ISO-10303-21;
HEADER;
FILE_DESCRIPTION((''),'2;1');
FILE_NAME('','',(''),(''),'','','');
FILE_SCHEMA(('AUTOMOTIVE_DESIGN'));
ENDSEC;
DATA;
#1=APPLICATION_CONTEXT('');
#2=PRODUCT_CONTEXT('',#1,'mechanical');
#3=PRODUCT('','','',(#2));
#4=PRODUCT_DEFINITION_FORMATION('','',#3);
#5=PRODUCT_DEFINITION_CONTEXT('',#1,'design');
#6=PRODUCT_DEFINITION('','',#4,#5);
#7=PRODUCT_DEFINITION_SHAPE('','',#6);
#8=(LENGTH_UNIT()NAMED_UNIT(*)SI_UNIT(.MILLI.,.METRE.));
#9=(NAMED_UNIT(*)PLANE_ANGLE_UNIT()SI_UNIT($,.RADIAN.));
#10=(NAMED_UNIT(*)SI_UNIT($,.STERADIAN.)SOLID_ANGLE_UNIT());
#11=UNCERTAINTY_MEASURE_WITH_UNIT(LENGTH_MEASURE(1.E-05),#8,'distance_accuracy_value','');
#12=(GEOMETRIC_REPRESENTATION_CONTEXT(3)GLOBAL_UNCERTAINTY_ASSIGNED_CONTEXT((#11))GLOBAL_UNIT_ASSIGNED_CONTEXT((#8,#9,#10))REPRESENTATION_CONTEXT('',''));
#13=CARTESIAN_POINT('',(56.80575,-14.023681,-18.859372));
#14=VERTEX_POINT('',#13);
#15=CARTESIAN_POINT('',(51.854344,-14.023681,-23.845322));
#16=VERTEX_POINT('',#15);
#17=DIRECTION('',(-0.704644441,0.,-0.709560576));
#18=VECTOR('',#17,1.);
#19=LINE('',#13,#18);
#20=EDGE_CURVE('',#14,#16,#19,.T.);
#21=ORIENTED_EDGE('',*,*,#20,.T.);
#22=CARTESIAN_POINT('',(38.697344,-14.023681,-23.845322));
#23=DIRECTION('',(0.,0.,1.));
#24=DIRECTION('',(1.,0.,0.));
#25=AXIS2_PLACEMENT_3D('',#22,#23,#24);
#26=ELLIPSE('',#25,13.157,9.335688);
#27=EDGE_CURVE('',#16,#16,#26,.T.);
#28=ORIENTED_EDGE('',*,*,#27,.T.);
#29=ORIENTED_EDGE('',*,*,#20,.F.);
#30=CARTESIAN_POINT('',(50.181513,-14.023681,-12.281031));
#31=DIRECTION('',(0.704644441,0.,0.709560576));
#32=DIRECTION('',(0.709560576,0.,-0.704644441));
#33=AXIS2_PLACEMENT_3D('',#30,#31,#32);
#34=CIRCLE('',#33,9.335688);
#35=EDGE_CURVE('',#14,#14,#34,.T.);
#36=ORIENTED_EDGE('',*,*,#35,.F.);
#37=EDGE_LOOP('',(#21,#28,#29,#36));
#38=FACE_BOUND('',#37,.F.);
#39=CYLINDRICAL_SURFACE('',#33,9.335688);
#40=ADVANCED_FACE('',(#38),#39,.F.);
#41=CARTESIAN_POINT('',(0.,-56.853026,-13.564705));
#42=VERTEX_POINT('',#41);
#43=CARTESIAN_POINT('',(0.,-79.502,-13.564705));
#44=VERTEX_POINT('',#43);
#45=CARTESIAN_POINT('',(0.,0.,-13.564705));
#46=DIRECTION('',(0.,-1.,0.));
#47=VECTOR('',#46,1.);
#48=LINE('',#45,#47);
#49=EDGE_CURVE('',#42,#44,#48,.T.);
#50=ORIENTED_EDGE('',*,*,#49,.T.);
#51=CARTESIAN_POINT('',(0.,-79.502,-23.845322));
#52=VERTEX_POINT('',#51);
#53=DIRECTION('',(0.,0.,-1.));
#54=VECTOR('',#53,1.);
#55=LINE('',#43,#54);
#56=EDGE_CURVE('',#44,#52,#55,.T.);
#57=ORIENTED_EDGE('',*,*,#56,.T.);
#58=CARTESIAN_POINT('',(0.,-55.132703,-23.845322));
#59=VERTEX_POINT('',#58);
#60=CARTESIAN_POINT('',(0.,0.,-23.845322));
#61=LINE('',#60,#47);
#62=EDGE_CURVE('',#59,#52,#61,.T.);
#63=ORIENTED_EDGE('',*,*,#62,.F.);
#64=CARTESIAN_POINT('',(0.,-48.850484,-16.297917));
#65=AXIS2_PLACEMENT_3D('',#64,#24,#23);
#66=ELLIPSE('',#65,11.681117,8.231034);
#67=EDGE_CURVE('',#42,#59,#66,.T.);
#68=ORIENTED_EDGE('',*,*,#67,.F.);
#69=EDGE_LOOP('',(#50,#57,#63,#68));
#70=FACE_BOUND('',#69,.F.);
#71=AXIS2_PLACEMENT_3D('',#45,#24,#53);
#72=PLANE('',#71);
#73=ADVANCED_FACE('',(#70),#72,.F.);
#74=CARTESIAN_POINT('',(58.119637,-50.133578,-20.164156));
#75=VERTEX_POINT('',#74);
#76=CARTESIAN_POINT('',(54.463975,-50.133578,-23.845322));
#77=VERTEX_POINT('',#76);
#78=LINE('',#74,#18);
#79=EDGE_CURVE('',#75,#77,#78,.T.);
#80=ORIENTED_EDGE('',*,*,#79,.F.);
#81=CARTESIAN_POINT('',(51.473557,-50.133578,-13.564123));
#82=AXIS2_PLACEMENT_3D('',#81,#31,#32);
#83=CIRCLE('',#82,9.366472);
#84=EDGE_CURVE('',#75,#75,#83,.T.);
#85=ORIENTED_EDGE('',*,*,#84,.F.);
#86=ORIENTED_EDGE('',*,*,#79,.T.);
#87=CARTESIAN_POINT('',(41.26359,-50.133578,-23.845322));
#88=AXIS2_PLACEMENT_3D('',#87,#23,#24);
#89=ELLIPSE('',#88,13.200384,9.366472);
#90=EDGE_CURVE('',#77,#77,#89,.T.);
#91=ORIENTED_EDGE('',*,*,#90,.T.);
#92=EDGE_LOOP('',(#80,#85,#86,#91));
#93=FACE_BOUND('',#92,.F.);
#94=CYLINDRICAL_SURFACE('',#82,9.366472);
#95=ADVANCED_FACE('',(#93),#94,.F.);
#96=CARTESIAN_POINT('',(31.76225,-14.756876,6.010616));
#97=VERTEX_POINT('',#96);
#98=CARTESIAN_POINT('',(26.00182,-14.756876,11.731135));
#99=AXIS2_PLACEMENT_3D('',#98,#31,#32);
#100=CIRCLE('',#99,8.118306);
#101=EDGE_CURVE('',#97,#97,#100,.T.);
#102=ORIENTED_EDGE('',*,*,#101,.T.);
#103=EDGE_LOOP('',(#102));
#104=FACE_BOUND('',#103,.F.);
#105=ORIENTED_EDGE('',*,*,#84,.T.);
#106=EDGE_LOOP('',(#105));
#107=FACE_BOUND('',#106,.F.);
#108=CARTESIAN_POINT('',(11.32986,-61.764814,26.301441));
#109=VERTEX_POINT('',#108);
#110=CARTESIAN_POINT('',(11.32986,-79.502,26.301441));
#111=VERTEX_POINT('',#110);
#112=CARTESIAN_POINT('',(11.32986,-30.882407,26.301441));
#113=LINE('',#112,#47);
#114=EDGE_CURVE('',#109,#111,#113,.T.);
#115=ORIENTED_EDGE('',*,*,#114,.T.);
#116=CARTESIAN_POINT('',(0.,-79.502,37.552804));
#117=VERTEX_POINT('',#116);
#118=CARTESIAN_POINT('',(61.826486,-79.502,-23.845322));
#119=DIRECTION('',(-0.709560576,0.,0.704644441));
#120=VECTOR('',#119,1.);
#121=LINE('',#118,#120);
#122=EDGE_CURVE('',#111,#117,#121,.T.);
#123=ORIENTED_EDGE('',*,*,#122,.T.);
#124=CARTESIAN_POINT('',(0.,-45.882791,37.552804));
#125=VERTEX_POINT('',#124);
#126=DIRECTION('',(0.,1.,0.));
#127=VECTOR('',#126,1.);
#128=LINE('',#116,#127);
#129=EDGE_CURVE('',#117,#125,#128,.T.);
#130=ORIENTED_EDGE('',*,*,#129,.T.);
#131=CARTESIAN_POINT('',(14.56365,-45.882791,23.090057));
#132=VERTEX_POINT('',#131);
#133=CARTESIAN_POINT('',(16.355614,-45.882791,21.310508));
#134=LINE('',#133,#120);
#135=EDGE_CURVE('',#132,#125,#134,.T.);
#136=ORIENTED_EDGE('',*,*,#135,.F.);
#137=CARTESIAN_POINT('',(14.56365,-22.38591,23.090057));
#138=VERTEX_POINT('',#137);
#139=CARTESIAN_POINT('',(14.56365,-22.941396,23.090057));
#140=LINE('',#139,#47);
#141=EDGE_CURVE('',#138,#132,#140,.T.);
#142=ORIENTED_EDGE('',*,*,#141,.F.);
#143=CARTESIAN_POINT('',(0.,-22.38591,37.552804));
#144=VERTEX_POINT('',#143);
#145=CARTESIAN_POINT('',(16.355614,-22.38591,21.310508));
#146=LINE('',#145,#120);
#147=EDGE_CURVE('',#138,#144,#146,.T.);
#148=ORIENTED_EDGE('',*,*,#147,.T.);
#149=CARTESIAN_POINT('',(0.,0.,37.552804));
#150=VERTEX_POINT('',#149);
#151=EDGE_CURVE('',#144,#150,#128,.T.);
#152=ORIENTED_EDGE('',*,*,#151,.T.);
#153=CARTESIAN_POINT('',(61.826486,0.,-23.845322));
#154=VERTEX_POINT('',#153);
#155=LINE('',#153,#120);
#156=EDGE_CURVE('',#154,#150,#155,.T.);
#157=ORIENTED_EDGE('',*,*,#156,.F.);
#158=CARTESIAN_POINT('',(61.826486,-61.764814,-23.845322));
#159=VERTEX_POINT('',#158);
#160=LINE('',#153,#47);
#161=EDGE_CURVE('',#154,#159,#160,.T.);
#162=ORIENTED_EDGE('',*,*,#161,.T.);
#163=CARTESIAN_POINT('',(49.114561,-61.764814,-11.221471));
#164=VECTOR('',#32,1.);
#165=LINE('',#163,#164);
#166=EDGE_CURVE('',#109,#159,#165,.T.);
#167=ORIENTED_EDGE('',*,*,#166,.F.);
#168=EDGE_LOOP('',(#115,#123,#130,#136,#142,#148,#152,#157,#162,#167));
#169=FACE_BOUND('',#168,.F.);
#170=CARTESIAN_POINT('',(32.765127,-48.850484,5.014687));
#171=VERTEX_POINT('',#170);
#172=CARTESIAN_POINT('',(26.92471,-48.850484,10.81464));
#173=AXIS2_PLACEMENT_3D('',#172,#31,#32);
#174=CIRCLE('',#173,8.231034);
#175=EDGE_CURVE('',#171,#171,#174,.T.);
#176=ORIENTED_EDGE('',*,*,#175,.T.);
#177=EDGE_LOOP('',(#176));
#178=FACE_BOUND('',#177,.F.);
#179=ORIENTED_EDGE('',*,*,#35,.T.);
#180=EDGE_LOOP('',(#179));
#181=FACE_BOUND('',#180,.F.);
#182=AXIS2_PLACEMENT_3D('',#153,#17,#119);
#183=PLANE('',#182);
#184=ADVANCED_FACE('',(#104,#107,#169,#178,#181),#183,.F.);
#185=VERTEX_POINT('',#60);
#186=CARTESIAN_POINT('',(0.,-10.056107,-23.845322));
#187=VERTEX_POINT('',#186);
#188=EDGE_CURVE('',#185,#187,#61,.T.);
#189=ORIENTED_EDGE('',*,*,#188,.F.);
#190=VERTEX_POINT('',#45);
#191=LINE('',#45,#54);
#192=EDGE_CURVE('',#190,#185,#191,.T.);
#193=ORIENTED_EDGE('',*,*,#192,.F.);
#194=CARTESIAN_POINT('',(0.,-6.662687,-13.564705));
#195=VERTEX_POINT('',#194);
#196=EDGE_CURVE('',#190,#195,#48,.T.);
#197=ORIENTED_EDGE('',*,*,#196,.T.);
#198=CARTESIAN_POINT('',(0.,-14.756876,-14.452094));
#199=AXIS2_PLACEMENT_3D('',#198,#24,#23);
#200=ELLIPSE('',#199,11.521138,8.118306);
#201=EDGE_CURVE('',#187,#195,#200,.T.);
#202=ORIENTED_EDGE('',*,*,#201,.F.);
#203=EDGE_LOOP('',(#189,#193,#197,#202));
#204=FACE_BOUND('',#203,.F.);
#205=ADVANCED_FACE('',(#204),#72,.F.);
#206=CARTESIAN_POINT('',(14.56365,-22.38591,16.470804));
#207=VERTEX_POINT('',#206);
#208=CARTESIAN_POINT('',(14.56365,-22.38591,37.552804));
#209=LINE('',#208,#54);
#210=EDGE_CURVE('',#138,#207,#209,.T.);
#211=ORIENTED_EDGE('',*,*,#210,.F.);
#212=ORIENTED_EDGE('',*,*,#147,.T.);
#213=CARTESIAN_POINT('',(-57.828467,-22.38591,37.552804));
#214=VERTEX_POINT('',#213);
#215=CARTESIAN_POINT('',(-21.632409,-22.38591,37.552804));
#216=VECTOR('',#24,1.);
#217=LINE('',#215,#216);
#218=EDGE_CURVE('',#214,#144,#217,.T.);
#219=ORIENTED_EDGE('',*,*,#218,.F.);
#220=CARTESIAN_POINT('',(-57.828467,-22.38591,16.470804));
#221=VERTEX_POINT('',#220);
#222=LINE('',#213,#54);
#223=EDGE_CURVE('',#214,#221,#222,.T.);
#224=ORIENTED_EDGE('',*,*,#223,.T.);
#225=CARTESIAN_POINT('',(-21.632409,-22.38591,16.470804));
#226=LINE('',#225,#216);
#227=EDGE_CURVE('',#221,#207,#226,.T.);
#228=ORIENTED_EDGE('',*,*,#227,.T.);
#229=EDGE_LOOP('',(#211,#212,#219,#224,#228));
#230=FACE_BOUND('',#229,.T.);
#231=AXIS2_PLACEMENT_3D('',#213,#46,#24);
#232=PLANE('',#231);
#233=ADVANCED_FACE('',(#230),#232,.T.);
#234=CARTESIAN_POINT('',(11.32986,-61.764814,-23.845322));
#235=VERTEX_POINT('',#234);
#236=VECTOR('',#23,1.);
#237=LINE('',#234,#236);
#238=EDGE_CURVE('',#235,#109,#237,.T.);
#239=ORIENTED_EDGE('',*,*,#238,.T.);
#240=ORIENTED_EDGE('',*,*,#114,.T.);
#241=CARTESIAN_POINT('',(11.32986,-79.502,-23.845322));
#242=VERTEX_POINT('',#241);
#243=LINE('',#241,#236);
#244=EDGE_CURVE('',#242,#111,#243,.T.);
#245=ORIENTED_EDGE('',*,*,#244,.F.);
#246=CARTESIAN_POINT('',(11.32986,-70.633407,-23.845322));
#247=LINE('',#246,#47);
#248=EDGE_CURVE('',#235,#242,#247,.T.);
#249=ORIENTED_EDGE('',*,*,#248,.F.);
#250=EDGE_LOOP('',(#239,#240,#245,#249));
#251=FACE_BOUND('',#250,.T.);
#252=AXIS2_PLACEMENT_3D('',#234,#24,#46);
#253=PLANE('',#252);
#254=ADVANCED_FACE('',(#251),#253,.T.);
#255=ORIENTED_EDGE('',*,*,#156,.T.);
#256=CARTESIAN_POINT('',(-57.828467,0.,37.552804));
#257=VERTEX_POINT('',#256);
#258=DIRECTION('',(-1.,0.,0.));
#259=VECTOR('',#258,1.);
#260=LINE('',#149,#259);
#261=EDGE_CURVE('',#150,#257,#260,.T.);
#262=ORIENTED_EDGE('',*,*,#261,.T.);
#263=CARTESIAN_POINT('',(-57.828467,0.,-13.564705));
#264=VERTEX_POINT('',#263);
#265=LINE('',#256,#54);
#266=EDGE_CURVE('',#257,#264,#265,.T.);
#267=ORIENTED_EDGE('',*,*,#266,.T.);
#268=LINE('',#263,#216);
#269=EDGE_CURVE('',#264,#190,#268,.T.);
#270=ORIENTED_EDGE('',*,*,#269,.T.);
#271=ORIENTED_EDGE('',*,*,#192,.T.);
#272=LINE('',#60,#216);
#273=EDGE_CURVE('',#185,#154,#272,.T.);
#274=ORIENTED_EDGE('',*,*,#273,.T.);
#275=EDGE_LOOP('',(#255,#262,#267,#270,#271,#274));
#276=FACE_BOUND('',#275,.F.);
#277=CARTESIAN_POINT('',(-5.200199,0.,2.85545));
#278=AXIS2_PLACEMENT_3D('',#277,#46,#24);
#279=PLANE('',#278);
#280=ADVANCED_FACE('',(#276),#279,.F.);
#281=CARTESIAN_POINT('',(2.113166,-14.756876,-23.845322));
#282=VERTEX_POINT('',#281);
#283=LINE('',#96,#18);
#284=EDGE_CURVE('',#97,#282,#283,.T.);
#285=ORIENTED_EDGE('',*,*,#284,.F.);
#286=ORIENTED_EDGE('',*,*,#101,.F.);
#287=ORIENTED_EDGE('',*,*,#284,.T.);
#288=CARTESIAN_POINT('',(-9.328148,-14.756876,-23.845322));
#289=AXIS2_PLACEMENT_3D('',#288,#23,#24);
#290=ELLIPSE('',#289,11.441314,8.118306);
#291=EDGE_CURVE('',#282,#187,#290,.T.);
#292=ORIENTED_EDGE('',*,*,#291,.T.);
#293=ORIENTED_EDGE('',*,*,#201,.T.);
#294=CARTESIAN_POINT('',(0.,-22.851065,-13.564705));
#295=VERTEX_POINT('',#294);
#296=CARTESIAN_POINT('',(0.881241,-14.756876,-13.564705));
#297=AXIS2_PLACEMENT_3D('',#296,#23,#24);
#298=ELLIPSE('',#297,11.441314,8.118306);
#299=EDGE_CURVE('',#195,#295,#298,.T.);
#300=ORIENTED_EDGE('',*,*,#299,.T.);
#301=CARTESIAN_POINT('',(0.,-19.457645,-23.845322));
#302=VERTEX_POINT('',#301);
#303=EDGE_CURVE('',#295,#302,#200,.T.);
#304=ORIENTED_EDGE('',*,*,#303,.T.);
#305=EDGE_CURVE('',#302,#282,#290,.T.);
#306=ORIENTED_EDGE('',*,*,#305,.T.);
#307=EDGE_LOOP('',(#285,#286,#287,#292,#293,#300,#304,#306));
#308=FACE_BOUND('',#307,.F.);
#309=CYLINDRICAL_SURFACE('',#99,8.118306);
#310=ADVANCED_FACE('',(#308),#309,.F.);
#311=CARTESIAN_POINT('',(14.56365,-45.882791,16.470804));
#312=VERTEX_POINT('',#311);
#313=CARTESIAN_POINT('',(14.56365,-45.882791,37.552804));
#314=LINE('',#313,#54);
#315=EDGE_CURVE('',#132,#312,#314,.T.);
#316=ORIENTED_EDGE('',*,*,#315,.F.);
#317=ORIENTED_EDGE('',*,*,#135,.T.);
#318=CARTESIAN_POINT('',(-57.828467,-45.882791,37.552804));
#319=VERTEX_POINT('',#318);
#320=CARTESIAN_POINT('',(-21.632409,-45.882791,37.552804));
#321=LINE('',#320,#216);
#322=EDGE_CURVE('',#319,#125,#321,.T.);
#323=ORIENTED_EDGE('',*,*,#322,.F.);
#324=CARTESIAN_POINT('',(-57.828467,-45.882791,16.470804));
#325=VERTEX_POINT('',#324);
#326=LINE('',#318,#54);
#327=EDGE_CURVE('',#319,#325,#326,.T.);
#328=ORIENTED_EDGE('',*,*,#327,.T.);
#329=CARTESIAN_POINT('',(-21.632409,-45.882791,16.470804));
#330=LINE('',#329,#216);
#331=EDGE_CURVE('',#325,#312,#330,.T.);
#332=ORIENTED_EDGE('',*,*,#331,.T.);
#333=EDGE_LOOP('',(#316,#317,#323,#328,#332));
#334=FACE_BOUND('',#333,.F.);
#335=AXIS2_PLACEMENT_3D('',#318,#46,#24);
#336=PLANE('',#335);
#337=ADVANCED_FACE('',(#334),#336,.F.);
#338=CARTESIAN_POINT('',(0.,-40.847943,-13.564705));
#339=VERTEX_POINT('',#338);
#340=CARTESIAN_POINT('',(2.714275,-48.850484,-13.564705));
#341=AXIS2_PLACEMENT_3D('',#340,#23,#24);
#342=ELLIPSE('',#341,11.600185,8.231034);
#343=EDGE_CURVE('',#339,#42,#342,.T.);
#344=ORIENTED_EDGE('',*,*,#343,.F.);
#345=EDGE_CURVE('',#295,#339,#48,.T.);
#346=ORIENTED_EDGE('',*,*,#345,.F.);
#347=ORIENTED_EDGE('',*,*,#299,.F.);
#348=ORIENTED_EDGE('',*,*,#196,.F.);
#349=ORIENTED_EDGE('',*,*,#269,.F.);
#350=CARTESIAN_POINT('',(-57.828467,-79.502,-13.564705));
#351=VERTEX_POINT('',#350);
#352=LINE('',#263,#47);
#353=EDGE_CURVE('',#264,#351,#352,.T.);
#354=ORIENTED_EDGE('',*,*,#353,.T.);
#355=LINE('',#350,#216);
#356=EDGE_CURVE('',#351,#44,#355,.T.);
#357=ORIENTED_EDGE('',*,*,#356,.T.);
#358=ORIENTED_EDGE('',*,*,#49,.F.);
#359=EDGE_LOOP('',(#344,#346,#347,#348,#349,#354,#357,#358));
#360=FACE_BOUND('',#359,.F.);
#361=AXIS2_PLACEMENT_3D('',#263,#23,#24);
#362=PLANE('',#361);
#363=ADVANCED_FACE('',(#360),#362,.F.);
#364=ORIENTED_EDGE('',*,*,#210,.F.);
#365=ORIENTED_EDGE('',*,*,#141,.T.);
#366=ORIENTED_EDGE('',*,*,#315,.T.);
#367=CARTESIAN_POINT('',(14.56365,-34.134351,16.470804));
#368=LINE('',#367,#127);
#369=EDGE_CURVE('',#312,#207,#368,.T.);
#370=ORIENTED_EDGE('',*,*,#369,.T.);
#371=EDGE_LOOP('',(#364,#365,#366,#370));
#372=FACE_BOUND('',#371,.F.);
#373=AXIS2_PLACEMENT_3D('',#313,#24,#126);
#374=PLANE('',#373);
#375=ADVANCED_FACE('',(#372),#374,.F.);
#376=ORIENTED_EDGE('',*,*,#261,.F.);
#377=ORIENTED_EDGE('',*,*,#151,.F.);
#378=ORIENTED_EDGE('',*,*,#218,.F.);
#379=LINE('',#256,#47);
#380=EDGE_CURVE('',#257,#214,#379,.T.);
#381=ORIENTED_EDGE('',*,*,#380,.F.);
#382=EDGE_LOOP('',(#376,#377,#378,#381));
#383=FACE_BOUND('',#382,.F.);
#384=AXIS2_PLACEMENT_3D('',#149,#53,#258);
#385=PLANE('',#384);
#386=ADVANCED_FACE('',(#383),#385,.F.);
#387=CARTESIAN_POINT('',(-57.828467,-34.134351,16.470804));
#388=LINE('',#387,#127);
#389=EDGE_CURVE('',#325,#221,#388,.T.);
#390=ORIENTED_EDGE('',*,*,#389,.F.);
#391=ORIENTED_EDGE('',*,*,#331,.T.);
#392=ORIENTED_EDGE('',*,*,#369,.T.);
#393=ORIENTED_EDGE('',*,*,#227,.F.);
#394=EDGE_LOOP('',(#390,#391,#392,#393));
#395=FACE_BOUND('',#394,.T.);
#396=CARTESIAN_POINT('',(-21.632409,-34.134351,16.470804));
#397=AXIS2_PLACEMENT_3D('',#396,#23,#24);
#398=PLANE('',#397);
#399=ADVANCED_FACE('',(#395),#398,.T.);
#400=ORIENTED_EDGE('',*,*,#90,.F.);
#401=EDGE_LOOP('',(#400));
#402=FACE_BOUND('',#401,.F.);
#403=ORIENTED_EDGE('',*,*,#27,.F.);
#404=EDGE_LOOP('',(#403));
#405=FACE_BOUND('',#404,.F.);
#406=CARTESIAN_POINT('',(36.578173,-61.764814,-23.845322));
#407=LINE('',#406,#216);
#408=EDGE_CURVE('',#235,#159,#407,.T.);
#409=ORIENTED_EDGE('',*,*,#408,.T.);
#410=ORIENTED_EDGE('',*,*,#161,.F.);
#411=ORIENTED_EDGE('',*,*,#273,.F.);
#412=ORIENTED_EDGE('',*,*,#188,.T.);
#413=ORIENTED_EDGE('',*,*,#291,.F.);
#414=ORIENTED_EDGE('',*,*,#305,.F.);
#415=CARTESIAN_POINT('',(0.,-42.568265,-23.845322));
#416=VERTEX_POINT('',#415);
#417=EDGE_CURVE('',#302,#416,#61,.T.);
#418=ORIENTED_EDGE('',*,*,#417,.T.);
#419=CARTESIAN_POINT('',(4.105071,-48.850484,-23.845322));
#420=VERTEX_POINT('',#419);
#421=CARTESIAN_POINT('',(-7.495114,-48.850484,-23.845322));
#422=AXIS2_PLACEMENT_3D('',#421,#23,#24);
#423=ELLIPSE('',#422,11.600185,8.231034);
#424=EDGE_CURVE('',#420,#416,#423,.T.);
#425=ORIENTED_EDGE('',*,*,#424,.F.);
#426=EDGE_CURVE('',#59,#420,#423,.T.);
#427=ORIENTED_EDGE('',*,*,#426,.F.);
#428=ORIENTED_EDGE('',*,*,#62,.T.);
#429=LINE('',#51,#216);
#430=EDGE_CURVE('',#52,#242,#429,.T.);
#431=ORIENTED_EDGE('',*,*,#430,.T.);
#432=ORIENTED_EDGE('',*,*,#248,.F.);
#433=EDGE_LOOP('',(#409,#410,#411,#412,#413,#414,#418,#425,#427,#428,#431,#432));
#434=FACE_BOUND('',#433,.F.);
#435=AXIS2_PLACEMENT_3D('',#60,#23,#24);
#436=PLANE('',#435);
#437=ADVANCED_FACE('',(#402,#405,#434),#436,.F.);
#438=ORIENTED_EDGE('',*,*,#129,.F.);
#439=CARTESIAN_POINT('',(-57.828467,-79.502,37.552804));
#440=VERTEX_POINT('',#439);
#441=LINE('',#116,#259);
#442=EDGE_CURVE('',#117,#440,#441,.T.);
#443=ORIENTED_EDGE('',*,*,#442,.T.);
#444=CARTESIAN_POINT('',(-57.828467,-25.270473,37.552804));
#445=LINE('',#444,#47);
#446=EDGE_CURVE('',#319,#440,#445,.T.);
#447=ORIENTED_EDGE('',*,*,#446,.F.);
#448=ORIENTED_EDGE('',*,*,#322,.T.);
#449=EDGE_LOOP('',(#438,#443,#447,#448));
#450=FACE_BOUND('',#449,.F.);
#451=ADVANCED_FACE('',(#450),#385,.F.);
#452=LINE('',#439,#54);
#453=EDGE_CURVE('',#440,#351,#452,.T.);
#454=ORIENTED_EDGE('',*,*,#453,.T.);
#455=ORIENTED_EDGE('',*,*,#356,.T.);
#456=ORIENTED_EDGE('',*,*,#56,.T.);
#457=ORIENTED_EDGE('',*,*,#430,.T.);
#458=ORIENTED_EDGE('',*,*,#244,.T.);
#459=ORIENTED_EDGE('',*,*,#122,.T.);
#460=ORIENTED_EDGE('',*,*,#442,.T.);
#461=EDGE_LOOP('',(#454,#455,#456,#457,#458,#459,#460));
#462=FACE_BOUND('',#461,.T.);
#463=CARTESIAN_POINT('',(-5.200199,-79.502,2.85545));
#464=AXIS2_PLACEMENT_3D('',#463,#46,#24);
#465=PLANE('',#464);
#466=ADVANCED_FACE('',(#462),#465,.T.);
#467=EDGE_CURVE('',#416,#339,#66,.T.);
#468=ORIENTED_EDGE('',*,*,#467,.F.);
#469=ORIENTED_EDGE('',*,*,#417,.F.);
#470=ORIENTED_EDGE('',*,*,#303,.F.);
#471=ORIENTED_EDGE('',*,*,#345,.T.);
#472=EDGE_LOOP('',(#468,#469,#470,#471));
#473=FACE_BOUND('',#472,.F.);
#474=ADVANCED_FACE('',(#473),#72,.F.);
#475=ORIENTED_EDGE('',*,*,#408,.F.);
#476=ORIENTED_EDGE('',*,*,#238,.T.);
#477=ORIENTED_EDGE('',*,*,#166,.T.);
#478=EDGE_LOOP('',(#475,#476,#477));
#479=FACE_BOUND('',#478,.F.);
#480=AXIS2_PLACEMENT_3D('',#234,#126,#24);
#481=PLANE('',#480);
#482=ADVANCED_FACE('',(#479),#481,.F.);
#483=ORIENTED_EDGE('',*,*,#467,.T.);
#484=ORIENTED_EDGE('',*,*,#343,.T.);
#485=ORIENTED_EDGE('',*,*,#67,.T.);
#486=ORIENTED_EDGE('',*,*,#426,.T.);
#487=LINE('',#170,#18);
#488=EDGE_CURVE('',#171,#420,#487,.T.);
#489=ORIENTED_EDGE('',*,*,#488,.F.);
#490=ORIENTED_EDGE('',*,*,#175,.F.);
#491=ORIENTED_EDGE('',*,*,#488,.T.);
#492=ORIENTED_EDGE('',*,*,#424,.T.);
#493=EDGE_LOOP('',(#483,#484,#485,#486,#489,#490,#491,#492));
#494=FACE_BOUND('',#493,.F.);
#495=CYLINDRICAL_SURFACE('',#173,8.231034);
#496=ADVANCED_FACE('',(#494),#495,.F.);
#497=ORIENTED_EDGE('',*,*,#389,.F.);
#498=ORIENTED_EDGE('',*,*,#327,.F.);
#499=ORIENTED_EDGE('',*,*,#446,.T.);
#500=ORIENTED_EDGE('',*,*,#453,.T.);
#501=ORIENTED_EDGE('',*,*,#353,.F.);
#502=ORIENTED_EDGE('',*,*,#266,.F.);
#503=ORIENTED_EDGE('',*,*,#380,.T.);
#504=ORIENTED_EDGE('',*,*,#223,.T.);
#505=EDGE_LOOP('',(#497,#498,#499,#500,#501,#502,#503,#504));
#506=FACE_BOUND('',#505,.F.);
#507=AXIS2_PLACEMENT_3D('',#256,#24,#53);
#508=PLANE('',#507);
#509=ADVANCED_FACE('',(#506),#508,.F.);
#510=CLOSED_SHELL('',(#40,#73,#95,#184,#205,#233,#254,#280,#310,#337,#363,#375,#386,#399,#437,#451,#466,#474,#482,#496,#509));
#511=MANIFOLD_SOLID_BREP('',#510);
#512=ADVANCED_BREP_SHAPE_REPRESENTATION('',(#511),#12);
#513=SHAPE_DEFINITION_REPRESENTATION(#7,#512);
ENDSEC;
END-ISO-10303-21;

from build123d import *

# Parameters (mm, degrees)
F1_DEPTH  = 79.502
F2_W      = 30.8898873627
F2_H      = 37.5404208899
F3_DEPTH  = 25.4
F4_W      = 57.8284673393
F4_H      = 24.1576582193
F5_DEPTH  = 12.446
F6_W      = 72.3921172321
F6_H      = 23.4968811274
F7_DEPTH  = 21.082
F8_W      = 50.496625714
F8_H      = 17.7371860404
F9_DEPTH  = 56.388
F10_R     = 8.2310342768
F10_R_2   = 9.3664724304
F10_R_3   = 8.1183056078
F10_R_4   = 9.3356883849
F11_DEPTH = 85.344


with BuildPart() as f1:
    # F0 (on Front) → F1 (new body)
    with BuildSketch(Plane.XZ):
        Polygon((0, 37.5528037548), (-57.8284673393, 37.5528037548), (-57.8284673393, -13.5647049174), (0, -13.5647049174), (0, -23.8453224301), (61.8264861405, -23.8453224301), align=None)
    extrude(amount=F1_DEPTH)

    # F2 (on face) → F3 (cut)
    with BuildSketch(Plane.XY.offset(37.5528037548)):
        with Locations((-73.2734110206, -35.337369889)):
            Rectangle(F2_W, F2_H)
    extrude(amount=-F3_DEPTH, mode=Mode.SUBTRACT)

    # F4 (on face) → F5 (join)
    with BuildSketch(Plane.XY.offset(37.5528037548)):
        with Locations((-28.9142336696, -37.3493023217)):
            Rectangle(F4_W, F4_H)
    extrude(amount=-F5_DEPTH)

    # F6 (on face) → F7 (cut)
    with BuildSketch(Plane.XY.offset(37.5528037548)):
        with Locations((-21.6324087232, -34.1343507171)):
            Rectangle(F6_W, F6_H)
    extrude(amount=-F7_DEPTH, mode=Mode.SUBTRACT)

    # F8 (on face) → F9 (cut)
    with BuildSketch(Plane(origin=(0, 0, -23.8453224301), x_dir=(1, 0, 0), z_dir=(0, 0, -1))):
        with Locations((36.5781732835, 70.6334069798)):
            Rectangle(F8_W, F8_H)
    extrude(amount=-F9_DEPTH, mode=Mode.SUBTRACT)

    # F10 (on face) → F11 (cut)
    with BuildSketch(Plane(origin=(18.7759480822, 0, 18.9069433549), x_dir=(0.7095605761, 0, -0.7046444414), z_dir=(0.7046444414, 0, 0.7095605761))):
        with Locations((11.4842364565, -48.8504841924)):
            Circle(F10_R)
        with Locations((46.0814908147, -50.1335784793)):
            Circle(F10_R_2)
        with Locations((10.1835876703, -14.756876044)):
            Circle(F10_R_3)
        with Locations((44.260583818, -14.0236811712)):
            Circle(F10_R_4)
    extrude(amount=-F11_DEPTH, mode=Mode.SUBTRACT)


solid = f1.part
